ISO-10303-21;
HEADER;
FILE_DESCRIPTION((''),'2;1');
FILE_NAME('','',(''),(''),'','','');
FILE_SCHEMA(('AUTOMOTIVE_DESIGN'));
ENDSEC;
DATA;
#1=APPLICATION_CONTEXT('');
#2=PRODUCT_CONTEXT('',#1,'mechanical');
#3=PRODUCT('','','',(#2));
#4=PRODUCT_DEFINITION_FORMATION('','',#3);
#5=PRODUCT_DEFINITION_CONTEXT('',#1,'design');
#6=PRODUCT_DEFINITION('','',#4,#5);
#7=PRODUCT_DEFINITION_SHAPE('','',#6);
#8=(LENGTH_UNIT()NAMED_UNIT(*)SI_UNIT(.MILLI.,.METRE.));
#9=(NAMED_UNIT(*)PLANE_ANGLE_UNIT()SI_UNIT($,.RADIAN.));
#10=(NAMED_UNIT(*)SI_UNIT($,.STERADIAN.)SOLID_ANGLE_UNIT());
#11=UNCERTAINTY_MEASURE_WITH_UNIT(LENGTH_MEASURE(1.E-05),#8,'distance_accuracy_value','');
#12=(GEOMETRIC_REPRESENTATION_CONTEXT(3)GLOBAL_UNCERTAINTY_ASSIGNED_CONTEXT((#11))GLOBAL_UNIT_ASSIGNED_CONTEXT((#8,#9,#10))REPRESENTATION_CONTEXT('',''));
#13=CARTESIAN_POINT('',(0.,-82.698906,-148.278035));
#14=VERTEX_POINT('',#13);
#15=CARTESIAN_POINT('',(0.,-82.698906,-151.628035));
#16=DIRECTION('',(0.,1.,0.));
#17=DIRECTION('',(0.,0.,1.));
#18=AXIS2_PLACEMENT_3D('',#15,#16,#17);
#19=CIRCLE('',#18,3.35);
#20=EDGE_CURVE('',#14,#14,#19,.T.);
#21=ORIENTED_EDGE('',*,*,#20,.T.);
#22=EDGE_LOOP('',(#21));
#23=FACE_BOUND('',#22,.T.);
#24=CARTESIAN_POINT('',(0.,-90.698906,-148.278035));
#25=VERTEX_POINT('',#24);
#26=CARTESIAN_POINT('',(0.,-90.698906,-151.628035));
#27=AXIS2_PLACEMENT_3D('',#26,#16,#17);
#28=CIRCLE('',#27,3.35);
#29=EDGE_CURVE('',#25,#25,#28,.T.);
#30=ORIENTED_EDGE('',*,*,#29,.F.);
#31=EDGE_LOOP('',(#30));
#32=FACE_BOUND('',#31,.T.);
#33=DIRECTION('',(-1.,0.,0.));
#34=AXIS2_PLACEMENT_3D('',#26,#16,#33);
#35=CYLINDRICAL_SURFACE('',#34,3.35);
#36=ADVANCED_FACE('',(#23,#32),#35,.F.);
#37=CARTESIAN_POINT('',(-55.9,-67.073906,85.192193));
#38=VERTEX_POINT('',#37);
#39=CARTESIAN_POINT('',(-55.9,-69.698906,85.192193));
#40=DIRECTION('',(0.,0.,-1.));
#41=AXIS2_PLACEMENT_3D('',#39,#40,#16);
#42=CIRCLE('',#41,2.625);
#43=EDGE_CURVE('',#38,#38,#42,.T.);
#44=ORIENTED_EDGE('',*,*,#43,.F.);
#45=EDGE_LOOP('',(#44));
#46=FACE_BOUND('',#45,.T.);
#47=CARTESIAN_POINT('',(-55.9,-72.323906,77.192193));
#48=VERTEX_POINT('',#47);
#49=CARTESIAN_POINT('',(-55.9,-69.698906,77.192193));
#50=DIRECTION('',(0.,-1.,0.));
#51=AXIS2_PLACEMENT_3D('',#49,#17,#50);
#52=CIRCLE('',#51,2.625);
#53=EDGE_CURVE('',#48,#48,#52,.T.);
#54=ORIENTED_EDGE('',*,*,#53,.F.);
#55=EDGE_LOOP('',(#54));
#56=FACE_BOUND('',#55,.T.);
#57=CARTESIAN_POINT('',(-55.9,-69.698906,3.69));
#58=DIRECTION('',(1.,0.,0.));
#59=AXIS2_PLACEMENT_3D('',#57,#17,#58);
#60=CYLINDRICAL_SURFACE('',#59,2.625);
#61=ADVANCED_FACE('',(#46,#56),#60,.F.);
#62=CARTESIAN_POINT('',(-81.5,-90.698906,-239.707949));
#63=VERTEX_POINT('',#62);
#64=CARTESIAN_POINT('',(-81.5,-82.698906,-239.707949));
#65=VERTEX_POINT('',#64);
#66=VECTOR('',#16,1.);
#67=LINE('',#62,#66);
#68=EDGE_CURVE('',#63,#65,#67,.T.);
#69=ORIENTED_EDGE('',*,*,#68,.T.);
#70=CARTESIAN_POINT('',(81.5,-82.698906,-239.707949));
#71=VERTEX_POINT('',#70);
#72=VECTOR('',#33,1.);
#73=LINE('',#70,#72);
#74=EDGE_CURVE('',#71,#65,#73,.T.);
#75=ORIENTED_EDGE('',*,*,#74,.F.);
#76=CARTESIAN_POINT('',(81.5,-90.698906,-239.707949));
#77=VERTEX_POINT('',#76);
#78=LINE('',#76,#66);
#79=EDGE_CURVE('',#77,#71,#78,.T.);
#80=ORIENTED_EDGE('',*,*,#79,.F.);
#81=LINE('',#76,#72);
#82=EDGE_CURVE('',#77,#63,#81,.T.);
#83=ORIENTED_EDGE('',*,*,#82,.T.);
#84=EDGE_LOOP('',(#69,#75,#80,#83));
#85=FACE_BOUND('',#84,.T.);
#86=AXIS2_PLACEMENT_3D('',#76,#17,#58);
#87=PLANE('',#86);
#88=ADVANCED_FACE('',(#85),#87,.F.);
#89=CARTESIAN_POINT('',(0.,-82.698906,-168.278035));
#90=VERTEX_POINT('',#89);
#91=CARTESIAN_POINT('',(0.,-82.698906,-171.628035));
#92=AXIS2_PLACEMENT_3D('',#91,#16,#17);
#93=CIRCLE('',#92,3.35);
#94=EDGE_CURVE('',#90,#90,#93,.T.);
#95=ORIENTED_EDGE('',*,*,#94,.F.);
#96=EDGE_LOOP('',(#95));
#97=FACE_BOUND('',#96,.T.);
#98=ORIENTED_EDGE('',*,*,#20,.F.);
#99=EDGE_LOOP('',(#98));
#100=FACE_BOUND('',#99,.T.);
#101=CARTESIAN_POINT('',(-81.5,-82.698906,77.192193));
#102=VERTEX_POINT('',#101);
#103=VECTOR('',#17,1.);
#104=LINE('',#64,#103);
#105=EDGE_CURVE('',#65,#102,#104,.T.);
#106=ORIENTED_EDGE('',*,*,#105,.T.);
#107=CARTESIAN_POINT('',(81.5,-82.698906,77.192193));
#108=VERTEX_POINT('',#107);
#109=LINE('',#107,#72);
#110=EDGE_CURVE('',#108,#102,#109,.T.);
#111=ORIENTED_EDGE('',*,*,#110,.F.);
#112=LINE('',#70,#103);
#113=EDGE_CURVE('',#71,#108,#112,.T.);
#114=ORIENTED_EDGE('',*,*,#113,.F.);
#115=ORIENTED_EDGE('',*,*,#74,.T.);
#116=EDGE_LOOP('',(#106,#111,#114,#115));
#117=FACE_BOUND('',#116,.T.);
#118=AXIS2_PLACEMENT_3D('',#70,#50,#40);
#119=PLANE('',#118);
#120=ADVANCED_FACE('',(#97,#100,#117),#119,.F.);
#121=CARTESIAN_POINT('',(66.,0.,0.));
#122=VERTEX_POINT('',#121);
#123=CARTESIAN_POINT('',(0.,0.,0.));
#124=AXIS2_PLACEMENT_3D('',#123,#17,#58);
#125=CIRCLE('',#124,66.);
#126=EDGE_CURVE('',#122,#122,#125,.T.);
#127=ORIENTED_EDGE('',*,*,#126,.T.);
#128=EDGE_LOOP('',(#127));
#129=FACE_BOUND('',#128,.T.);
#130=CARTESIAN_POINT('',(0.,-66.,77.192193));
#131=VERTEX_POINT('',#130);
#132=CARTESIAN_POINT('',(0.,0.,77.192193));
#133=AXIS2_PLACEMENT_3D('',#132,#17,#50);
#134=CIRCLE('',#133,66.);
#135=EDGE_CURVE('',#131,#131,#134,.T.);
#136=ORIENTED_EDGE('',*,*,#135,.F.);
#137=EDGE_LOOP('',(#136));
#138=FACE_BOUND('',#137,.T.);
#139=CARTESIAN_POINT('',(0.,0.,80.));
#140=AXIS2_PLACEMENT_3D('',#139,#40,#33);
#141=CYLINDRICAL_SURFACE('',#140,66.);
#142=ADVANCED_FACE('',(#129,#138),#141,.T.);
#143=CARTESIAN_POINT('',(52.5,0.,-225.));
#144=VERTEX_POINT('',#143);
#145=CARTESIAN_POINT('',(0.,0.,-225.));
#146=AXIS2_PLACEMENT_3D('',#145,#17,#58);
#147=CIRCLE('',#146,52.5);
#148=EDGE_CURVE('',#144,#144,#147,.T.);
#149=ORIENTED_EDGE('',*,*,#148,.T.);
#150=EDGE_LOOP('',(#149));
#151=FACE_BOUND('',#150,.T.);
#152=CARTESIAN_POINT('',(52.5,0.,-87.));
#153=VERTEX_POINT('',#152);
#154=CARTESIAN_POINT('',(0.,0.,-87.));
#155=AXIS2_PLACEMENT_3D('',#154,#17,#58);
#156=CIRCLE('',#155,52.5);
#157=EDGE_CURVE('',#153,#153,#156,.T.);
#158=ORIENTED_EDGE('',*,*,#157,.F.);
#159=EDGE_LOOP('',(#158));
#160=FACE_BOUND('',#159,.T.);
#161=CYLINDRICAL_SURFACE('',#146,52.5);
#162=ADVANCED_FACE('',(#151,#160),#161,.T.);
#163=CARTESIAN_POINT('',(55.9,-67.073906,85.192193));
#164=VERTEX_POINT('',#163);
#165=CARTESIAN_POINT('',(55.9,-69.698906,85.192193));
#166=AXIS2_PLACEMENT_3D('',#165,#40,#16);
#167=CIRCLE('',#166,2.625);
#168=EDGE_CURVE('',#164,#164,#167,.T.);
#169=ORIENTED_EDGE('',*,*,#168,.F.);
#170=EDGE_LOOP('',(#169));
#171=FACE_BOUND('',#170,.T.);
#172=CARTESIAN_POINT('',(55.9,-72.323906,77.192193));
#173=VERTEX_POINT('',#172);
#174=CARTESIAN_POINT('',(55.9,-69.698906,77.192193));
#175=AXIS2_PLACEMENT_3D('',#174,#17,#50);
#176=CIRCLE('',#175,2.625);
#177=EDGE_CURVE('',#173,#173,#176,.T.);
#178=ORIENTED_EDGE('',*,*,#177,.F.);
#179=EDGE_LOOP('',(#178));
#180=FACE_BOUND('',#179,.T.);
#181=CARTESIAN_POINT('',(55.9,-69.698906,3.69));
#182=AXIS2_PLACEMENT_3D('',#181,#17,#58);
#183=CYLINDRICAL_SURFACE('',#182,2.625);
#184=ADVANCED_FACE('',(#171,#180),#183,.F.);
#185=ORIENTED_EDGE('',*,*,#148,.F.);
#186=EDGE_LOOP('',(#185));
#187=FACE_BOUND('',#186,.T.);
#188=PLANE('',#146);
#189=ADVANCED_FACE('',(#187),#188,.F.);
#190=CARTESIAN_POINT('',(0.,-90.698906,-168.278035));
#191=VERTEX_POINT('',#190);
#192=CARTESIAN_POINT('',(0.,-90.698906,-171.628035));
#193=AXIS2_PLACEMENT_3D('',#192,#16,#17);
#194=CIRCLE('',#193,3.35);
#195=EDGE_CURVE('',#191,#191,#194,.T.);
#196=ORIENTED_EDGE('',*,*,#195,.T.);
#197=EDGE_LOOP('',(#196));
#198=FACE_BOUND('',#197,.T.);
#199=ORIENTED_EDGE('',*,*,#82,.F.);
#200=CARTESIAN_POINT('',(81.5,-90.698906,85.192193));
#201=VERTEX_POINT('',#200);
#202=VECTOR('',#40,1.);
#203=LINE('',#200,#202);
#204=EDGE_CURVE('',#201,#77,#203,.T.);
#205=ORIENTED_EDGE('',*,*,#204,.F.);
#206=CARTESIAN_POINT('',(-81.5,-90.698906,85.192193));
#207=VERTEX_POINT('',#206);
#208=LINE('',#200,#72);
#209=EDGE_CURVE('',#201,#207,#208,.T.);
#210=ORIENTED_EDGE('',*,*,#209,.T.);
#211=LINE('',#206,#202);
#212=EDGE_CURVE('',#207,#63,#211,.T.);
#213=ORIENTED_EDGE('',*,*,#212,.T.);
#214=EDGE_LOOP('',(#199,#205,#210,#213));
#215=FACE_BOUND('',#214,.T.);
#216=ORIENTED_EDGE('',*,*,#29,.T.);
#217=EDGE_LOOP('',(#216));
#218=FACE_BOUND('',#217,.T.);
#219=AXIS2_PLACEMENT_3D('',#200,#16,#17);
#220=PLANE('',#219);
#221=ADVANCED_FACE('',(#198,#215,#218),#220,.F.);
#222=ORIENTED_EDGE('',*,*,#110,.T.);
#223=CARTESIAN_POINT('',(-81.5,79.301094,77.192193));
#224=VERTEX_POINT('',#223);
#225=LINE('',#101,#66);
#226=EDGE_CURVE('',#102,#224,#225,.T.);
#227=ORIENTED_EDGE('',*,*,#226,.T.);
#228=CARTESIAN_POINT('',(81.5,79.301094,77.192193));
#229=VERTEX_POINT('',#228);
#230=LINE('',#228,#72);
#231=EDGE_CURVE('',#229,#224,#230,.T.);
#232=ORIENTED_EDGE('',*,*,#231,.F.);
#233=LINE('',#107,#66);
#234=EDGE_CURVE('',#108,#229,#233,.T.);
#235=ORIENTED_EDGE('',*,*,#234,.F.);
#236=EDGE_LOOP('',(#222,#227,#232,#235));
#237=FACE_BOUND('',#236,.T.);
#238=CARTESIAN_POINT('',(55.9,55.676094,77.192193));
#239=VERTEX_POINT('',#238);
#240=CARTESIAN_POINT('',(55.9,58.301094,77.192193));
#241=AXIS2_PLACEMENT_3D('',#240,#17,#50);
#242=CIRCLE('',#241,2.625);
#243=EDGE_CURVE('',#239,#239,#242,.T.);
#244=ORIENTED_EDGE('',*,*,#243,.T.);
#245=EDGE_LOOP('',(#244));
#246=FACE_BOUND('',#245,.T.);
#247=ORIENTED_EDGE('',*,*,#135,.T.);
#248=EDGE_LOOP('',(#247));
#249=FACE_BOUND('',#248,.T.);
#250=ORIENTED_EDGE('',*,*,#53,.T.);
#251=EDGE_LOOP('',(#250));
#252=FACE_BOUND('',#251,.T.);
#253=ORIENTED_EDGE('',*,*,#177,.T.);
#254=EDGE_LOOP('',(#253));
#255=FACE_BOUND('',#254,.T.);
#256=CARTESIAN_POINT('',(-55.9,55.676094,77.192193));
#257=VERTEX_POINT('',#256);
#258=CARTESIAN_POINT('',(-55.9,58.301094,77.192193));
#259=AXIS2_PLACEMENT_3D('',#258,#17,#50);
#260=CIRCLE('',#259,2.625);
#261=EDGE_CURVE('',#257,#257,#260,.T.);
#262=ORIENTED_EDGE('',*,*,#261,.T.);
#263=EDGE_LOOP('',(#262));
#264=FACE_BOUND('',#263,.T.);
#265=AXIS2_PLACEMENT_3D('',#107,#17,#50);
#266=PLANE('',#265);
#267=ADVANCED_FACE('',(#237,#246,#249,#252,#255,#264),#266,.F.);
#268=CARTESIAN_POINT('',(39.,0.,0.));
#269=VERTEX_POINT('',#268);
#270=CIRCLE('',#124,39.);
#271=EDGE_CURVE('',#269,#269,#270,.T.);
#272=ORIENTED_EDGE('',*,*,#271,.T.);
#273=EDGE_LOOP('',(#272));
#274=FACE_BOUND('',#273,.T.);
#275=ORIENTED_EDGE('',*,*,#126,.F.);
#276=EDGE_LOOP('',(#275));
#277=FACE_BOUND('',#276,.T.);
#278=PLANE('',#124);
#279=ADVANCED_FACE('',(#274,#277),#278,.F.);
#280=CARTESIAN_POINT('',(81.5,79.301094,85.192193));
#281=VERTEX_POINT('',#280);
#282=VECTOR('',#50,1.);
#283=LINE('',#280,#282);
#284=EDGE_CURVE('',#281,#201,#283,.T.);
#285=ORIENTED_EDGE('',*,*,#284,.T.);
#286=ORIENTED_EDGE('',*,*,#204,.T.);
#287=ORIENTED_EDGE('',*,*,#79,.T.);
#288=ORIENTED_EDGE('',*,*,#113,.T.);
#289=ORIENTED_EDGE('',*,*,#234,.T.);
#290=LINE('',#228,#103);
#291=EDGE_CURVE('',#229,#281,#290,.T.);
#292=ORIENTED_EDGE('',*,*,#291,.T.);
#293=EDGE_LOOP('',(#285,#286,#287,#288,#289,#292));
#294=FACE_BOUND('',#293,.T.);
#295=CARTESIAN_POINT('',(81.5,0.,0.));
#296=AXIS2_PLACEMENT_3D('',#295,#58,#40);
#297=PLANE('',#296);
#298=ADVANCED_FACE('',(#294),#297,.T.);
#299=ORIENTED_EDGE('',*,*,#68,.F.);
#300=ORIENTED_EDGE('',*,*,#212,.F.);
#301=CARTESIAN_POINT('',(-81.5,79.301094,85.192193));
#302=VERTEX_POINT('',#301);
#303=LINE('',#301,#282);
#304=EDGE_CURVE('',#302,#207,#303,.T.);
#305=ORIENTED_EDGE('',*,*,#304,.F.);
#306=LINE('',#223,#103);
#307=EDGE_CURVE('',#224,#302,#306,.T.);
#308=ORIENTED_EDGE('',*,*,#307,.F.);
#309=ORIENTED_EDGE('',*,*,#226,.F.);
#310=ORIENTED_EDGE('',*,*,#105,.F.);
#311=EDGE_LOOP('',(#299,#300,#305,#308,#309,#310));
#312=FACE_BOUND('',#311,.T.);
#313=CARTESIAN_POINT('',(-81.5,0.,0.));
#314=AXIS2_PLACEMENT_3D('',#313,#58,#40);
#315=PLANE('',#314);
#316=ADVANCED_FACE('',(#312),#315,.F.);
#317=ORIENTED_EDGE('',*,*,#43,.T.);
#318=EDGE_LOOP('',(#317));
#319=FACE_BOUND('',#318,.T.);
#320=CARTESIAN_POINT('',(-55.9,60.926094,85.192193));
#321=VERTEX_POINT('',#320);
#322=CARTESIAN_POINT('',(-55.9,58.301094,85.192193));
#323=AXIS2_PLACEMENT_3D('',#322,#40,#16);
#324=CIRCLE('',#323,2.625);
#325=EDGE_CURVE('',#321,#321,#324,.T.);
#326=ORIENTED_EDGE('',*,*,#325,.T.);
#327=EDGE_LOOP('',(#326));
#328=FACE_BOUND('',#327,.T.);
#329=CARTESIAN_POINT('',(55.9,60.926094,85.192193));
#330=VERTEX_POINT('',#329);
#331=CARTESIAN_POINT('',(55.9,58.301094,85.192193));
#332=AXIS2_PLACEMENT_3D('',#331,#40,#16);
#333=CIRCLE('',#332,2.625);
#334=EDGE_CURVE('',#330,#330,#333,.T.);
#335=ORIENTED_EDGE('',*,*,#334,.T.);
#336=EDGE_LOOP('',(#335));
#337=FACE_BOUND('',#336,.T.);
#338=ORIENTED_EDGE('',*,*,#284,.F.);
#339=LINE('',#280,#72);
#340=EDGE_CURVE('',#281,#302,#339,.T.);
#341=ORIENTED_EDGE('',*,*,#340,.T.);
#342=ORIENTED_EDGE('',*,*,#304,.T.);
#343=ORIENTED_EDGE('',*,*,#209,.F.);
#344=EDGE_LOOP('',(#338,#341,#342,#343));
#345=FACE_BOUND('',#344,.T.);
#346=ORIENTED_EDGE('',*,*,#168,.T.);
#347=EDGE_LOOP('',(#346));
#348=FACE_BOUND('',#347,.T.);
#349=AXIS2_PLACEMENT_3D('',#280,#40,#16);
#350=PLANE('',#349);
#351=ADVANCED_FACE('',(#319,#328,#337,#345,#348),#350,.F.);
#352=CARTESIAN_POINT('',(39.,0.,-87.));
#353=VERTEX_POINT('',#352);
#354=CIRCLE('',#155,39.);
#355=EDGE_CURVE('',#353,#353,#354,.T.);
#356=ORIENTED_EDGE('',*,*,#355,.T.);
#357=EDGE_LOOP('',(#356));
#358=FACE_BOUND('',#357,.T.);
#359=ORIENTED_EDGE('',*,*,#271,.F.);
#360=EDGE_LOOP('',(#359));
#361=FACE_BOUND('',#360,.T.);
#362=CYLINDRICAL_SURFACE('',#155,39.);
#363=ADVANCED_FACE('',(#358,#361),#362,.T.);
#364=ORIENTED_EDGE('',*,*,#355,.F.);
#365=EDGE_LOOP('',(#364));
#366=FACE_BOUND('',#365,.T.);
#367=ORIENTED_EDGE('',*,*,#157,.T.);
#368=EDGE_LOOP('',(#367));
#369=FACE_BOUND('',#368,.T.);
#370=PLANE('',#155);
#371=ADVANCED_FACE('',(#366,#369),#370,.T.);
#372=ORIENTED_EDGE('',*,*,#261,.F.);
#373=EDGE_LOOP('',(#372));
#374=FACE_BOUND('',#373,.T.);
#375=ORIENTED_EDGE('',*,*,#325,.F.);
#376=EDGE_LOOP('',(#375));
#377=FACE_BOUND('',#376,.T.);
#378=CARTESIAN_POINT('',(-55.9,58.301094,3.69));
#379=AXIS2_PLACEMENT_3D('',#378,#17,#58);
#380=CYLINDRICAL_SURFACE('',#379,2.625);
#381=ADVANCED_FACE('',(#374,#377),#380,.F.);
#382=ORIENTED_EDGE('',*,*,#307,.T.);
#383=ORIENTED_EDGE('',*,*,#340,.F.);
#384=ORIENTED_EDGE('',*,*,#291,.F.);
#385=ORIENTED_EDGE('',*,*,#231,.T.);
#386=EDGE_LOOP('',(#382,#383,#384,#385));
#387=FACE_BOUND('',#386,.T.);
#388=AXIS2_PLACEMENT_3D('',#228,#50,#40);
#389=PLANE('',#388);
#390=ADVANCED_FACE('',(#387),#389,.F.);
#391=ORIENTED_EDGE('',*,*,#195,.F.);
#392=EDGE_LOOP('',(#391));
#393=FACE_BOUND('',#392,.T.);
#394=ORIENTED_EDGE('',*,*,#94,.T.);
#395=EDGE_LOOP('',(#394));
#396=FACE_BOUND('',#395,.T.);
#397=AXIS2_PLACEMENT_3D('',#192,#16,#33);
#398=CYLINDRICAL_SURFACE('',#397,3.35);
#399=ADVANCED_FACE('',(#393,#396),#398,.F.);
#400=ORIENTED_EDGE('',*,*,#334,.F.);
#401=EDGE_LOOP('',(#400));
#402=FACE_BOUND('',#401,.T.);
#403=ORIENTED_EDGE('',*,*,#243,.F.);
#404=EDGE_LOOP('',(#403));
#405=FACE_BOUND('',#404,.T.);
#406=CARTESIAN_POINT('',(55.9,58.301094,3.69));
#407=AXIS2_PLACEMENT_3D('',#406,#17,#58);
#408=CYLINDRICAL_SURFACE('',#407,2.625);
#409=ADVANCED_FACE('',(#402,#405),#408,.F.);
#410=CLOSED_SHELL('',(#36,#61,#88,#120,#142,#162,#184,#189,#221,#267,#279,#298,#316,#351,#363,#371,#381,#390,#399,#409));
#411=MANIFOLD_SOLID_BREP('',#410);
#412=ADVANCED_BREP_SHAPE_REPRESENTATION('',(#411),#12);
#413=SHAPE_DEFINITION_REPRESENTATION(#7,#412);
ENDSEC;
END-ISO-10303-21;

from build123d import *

# Parameters (mm, degrees)
CROQUIS1_R              = 66
SALIENTE_EXTRUIR1_DEPTH = 80
CROQUIS2_R              = 39
SALIENTE_EXTRUIR2_DEPTH = 87
CROQUIS4_R              = 52.5
SALIENTE_EXTRUIR3_DEPTH = 138
SALIENTE_EXTRUIR4_DEPTH = 81.5
CROQUIS6_R              = 2.625
CORTAR_EXTRUIR1_DEPTH   = 81.5
SKETCH1_R               = 3.35
CUT_EXTRUDE1_DEPTH      = 8


with BuildPart() as part:
    # Croquis1 → Saliente-Extruir1 (new body)
    with BuildSketch(Plane.XY):
        Circle(CROQUIS1_R)
    extrude(amount=SALIENTE_EXTRUIR1_DEPTH)

    # Croquis2 → Saliente-Extruir2 (add)
    with BuildSketch(Plane.XY):
        Circle(CROQUIS2_R)
    extrude(amount=-SALIENTE_EXTRUIR2_DEPTH)

    # Croquis4 → Saliente-Extruir3 (add)
    with BuildSketch(Plane.XY.offset(-87)):
        Circle(CROQUIS4_R)
    extrude(amount=-SALIENTE_EXTRUIR3_DEPTH)

    # Croquis5 → Saliente-Extruir4 (add, symmetric)
    with BuildSketch(Plane(origin=(0, 0, 0), x_dir=(0, 0, -1), z_dir=(1, 0, 0))):
        Polygon((-77.192193157, 79.301093587), (-85.192193157, 79.301093587), (-85.192193157, -90.698906413), (239.707949332, -90.698906413), (239.707949332, -82.698906413), (-77.192193157, -82.698906413), align=None)
    extrude(amount=SALIENTE_EXTRUIR4_DEPTH, both=True)

    # Croquis6 → Cortar-Extruir1 (cut, symmetric)
    with BuildSketch(Plane.XY.offset(85.19)):
        with Locations((-55.9, 58.301093587)):
            Circle(CROQUIS6_R)
        with Locations((55.9, 58.301093587)):
            Circle(CROQUIS6_R)
        with Locations((55.9, -69.698906413)):
            Circle(CROQUIS6_R)
        with Locations((-55.9, -69.698906413)):
            Circle(CROQUIS6_R)
    extrude(amount=CORTAR_EXTRUIR1_DEPTH, both=True, mode=Mode.SUBTRACT)

    # Sketch1 → Cut-Extrude1 (cut)
    with BuildSketch(Plane(origin=(0, -82.698906413, 0), x_dir=(1, 0, 0), z_dir=(0, 1, 0))):
        with Locations((0, 151.628034649)):
            Circle(SKETCH1_R)
        with Locations((0, 171.628034649)):
            Circle(SKETCH1_R)
    extrude(amount=-CUT_EXTRUDE1_DEPTH, mode=Mode.SUBTRACT)


solid = part.part
